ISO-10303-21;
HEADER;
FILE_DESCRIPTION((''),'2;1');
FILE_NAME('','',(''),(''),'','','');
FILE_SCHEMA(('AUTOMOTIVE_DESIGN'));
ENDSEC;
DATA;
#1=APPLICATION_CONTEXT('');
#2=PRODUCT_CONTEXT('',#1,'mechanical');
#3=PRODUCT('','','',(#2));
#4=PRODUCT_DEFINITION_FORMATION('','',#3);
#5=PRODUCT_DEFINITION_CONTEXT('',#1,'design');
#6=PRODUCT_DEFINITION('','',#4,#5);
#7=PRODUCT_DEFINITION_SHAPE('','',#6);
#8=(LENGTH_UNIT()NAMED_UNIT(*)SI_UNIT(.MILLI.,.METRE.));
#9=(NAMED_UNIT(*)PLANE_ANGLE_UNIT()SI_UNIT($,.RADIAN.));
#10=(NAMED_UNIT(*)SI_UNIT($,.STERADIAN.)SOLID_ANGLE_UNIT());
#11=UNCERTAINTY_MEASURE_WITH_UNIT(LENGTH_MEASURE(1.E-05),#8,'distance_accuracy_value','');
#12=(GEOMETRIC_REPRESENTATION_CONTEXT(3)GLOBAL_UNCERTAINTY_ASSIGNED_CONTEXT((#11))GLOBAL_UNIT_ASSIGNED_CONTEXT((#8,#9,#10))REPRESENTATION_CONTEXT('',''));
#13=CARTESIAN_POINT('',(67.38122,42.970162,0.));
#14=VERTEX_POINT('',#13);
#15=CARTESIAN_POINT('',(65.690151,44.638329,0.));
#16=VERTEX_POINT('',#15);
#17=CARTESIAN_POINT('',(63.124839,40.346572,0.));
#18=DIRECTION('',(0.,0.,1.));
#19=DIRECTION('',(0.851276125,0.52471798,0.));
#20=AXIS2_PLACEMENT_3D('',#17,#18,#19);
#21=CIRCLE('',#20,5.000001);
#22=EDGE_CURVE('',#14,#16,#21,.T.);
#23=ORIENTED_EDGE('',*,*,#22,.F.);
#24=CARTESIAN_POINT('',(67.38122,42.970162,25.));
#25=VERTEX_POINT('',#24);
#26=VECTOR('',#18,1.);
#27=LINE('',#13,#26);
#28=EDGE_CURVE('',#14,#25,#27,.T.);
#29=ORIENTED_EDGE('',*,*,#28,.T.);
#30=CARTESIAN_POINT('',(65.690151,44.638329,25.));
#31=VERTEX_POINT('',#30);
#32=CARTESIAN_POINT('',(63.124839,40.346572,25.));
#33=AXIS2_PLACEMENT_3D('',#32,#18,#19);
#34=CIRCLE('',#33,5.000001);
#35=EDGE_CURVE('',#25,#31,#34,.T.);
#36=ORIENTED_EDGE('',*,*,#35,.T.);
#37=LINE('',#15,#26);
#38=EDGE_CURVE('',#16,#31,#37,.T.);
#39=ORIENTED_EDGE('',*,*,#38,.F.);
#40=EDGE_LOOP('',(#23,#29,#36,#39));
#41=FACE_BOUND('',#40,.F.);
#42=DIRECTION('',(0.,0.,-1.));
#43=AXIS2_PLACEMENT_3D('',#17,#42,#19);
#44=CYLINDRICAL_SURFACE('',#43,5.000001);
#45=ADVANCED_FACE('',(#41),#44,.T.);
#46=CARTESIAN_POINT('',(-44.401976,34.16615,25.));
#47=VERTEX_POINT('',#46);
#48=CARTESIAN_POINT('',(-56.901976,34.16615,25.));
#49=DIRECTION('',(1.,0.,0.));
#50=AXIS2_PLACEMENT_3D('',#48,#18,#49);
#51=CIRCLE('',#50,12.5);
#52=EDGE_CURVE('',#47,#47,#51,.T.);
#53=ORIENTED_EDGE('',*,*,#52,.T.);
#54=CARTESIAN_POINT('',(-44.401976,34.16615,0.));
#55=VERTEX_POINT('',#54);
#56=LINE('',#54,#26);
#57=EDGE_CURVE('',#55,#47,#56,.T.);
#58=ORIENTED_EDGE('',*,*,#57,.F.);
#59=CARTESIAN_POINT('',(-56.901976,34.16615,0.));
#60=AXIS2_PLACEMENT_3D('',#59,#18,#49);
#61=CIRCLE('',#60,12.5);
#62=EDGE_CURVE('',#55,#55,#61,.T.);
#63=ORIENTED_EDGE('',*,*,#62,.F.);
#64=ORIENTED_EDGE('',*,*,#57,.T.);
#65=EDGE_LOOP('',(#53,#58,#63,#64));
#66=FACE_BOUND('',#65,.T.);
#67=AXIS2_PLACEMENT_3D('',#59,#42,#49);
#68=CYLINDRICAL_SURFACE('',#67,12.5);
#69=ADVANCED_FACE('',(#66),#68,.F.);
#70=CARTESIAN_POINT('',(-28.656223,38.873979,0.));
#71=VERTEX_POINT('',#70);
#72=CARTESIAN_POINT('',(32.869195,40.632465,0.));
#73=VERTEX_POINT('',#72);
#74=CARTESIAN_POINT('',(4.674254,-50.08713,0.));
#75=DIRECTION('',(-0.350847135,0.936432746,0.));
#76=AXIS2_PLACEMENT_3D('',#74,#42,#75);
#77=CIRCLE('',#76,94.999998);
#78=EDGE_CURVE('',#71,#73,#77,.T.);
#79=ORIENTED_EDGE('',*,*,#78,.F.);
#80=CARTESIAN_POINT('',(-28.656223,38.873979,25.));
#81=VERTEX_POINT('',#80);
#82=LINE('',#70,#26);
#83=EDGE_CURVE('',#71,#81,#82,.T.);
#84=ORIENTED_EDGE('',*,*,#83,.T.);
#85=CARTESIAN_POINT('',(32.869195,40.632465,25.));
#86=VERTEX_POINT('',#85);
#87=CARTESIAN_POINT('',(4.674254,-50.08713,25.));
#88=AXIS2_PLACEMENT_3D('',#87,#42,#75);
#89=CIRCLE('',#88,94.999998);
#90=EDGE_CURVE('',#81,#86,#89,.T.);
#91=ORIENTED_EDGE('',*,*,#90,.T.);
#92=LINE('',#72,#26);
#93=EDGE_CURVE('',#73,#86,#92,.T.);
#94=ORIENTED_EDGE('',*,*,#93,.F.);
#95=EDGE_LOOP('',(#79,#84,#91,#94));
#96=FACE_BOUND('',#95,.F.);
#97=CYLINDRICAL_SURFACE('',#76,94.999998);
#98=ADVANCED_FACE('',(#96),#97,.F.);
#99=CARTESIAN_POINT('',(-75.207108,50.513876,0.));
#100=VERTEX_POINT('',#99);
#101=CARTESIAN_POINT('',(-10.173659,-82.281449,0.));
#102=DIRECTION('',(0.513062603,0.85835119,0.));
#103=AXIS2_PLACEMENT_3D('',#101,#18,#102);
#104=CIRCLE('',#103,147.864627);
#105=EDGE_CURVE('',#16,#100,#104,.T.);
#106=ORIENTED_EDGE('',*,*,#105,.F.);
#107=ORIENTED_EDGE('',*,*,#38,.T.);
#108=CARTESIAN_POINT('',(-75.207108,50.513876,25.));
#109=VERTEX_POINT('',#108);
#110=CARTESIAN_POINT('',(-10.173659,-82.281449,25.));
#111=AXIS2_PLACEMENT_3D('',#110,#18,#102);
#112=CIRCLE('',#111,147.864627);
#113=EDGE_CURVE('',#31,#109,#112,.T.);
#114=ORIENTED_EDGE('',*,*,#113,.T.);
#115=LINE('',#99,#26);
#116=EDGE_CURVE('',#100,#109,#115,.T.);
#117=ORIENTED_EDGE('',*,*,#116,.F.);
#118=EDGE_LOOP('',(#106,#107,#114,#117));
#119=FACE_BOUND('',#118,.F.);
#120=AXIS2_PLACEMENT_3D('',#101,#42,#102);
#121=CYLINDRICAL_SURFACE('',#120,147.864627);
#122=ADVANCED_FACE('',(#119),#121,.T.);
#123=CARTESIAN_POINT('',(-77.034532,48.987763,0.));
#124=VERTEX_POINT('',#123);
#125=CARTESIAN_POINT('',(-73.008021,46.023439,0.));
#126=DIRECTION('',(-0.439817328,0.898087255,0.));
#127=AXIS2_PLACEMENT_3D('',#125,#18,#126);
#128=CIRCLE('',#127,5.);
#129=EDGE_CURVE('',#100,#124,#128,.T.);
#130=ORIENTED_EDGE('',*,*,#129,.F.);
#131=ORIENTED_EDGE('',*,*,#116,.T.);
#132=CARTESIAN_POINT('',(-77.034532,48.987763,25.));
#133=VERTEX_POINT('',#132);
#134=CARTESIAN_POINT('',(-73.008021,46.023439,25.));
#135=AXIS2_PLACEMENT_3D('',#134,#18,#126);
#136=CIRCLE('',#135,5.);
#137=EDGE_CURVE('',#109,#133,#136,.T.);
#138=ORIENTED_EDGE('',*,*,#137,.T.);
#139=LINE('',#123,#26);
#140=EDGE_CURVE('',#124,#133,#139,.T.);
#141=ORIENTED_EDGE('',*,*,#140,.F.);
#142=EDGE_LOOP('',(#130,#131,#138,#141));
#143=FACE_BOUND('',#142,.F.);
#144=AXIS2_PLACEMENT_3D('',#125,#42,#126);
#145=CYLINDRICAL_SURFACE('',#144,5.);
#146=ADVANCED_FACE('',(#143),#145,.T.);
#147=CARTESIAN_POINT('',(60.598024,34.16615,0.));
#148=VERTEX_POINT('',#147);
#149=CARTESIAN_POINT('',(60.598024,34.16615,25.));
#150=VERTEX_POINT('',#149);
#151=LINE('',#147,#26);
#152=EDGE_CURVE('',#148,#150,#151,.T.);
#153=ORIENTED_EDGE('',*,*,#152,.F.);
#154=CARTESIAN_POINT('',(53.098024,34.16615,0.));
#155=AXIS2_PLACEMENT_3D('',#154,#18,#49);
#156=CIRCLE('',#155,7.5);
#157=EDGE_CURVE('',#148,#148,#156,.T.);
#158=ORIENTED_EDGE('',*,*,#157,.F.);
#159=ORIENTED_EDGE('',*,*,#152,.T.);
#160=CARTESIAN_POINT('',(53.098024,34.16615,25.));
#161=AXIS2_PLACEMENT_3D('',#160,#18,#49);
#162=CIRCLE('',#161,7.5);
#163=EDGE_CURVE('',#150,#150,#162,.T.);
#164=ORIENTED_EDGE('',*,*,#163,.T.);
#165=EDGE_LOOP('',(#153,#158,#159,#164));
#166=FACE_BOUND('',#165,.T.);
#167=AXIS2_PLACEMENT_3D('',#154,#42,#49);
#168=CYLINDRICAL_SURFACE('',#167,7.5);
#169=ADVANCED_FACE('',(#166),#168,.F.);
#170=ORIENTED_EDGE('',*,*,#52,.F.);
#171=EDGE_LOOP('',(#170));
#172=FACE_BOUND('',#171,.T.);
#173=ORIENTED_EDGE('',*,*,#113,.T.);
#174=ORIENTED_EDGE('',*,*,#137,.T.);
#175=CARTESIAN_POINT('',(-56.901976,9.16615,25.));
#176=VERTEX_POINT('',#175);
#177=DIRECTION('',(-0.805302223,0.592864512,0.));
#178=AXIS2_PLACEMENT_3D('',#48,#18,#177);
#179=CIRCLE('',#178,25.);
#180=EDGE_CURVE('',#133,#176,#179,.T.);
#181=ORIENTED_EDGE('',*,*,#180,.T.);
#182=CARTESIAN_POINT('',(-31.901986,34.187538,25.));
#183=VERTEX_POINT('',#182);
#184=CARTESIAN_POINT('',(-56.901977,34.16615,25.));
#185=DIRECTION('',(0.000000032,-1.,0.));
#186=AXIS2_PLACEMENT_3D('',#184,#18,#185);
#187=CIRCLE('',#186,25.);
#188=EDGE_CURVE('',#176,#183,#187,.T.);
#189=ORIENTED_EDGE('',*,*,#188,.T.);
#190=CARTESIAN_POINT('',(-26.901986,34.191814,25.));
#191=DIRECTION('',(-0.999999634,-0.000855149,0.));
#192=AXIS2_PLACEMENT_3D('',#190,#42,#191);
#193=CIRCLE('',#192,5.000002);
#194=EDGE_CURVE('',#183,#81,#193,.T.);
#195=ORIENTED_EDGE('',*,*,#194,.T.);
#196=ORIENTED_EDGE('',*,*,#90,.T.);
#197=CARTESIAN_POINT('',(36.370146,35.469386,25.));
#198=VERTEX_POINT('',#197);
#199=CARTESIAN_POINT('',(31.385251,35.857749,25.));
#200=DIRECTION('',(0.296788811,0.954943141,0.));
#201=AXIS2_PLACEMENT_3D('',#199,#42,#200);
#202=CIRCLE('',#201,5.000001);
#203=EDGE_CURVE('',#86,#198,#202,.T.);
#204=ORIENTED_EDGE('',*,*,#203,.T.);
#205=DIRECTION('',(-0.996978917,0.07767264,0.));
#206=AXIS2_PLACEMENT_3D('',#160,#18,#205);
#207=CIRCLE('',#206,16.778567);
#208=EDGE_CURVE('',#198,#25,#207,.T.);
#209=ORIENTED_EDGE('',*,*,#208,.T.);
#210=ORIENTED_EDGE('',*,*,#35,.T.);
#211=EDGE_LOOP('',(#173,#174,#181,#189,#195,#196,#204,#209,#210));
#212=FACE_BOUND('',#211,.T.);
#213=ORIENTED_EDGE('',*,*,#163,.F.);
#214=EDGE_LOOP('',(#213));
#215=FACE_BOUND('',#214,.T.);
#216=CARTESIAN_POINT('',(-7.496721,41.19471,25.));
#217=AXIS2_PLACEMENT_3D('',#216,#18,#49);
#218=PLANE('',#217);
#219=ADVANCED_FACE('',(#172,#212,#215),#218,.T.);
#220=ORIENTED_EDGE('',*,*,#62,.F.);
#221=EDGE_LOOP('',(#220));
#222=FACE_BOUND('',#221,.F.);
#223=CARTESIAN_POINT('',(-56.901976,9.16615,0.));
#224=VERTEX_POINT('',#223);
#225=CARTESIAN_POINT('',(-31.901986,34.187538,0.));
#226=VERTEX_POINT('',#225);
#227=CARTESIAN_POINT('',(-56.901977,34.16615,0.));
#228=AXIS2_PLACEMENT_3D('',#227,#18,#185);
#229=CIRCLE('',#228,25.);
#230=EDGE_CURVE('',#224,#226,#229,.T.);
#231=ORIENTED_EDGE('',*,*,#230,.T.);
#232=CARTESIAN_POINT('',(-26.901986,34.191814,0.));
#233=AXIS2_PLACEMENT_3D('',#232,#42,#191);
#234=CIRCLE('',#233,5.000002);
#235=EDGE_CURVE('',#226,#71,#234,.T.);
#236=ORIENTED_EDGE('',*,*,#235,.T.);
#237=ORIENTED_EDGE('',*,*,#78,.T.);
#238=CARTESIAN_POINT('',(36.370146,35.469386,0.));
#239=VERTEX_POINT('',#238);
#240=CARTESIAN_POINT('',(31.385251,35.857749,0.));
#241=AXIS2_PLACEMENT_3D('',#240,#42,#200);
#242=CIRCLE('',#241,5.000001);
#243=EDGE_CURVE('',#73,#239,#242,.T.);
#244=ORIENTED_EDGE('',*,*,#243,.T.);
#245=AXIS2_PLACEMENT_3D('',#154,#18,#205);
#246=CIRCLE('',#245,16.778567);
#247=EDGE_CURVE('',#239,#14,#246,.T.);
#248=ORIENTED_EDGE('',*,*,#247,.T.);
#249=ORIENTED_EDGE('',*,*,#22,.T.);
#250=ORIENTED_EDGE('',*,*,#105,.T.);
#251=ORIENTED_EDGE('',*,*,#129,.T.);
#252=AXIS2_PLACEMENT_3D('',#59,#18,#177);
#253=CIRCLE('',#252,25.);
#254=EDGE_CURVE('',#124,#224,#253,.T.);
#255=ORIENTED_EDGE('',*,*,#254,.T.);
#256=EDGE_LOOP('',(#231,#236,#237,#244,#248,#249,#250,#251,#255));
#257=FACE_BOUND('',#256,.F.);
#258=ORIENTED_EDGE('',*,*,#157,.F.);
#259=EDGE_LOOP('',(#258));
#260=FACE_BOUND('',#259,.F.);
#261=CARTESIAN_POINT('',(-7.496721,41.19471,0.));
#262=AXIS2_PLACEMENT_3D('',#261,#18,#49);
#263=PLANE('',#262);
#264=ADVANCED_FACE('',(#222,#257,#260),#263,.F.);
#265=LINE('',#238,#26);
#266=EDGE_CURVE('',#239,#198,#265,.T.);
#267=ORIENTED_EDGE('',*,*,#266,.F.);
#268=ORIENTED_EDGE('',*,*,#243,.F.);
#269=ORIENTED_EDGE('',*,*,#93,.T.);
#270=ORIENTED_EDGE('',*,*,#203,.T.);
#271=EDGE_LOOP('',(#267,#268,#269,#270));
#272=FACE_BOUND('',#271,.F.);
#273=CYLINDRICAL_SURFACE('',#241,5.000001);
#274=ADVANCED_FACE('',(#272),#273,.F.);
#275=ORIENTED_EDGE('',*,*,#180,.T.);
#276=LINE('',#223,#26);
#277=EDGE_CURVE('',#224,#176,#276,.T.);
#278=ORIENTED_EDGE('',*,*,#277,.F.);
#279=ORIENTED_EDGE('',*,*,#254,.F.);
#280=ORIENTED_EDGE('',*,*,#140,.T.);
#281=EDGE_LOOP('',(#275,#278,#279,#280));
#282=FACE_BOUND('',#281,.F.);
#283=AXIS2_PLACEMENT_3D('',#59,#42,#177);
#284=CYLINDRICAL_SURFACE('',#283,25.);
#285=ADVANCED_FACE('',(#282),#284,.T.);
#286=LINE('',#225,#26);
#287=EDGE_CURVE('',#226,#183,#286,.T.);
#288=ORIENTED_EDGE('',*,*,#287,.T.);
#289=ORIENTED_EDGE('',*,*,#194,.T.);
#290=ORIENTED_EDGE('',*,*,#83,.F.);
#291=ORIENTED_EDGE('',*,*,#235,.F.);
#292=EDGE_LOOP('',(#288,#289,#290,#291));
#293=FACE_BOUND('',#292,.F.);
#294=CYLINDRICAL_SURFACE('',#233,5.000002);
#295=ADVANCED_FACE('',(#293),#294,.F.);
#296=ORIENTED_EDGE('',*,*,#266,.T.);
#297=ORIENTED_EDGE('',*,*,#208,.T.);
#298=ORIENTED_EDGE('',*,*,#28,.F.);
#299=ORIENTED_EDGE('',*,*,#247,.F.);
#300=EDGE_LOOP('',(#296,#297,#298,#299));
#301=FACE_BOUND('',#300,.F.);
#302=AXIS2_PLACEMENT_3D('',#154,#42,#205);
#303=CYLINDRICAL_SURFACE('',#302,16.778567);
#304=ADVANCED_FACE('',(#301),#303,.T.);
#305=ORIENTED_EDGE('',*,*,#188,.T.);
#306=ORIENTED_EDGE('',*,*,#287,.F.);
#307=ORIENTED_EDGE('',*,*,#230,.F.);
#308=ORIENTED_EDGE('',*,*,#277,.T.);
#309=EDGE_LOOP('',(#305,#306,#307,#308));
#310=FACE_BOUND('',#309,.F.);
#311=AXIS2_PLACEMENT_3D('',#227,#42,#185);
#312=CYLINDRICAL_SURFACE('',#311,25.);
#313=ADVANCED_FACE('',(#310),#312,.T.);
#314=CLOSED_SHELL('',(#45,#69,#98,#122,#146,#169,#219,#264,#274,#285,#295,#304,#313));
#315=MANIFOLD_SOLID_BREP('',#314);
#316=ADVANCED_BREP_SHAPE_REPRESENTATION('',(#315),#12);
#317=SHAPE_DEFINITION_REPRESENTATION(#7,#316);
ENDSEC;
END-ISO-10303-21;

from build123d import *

# Parameters (mm, degrees)
F0_R     = 12.5
F0_R_2   = 7.5
F1_DEPTH = 25


with BuildPart() as f1:
    # F0 (on Top) → F1 (new body)
    with BuildSketch(Plane.XY):
        with BuildLine():
            ThreePointArc((-75.207108, 50.513876), (-76.212982, 49.861177), (-77.034532, 48.987763))
            ThreePointArc((-77.034532, 48.987763), (-79.21274, 22.88653), (-56.901976, 9.16615))
            ThreePointArc((-56.901976, 9.16615), (-39.216747, 16.496044), (-31.901986, 34.187538))
            ThreePointArc((-31.901986, 34.187538), (-31.012413, 37.038638), (-28.656223, 38.873979))
            ThreePointArc((-28.656223, 38.873979), (1.960124, 44.874089), (32.869195, 40.632465))
            ThreePointArc((32.869195, 40.632465), (35.523586, 38.663847), (36.370146, 35.469386))
            ThreePointArc((36.370146, 35.469386), (57.04258, 17.857846), (67.38122, 42.970162))
            ThreePointArc((67.38122, 42.970162), (66.636188, 43.906127), (65.690151, 44.638329))
            ThreePointArc((65.690151, 44.638329), (-4.012921, 65.454779), (-75.207108, 50.513876))
        make_face()
        with Locations((-56.901976, 34.16615)):
            Circle(F0_R, mode=Mode.SUBTRACT)
        with Locations((53.098024, 34.16615)):
            Circle(F0_R_2, mode=Mode.SUBTRACT)
    extrude(amount=F1_DEPTH)


solid = f1.part
